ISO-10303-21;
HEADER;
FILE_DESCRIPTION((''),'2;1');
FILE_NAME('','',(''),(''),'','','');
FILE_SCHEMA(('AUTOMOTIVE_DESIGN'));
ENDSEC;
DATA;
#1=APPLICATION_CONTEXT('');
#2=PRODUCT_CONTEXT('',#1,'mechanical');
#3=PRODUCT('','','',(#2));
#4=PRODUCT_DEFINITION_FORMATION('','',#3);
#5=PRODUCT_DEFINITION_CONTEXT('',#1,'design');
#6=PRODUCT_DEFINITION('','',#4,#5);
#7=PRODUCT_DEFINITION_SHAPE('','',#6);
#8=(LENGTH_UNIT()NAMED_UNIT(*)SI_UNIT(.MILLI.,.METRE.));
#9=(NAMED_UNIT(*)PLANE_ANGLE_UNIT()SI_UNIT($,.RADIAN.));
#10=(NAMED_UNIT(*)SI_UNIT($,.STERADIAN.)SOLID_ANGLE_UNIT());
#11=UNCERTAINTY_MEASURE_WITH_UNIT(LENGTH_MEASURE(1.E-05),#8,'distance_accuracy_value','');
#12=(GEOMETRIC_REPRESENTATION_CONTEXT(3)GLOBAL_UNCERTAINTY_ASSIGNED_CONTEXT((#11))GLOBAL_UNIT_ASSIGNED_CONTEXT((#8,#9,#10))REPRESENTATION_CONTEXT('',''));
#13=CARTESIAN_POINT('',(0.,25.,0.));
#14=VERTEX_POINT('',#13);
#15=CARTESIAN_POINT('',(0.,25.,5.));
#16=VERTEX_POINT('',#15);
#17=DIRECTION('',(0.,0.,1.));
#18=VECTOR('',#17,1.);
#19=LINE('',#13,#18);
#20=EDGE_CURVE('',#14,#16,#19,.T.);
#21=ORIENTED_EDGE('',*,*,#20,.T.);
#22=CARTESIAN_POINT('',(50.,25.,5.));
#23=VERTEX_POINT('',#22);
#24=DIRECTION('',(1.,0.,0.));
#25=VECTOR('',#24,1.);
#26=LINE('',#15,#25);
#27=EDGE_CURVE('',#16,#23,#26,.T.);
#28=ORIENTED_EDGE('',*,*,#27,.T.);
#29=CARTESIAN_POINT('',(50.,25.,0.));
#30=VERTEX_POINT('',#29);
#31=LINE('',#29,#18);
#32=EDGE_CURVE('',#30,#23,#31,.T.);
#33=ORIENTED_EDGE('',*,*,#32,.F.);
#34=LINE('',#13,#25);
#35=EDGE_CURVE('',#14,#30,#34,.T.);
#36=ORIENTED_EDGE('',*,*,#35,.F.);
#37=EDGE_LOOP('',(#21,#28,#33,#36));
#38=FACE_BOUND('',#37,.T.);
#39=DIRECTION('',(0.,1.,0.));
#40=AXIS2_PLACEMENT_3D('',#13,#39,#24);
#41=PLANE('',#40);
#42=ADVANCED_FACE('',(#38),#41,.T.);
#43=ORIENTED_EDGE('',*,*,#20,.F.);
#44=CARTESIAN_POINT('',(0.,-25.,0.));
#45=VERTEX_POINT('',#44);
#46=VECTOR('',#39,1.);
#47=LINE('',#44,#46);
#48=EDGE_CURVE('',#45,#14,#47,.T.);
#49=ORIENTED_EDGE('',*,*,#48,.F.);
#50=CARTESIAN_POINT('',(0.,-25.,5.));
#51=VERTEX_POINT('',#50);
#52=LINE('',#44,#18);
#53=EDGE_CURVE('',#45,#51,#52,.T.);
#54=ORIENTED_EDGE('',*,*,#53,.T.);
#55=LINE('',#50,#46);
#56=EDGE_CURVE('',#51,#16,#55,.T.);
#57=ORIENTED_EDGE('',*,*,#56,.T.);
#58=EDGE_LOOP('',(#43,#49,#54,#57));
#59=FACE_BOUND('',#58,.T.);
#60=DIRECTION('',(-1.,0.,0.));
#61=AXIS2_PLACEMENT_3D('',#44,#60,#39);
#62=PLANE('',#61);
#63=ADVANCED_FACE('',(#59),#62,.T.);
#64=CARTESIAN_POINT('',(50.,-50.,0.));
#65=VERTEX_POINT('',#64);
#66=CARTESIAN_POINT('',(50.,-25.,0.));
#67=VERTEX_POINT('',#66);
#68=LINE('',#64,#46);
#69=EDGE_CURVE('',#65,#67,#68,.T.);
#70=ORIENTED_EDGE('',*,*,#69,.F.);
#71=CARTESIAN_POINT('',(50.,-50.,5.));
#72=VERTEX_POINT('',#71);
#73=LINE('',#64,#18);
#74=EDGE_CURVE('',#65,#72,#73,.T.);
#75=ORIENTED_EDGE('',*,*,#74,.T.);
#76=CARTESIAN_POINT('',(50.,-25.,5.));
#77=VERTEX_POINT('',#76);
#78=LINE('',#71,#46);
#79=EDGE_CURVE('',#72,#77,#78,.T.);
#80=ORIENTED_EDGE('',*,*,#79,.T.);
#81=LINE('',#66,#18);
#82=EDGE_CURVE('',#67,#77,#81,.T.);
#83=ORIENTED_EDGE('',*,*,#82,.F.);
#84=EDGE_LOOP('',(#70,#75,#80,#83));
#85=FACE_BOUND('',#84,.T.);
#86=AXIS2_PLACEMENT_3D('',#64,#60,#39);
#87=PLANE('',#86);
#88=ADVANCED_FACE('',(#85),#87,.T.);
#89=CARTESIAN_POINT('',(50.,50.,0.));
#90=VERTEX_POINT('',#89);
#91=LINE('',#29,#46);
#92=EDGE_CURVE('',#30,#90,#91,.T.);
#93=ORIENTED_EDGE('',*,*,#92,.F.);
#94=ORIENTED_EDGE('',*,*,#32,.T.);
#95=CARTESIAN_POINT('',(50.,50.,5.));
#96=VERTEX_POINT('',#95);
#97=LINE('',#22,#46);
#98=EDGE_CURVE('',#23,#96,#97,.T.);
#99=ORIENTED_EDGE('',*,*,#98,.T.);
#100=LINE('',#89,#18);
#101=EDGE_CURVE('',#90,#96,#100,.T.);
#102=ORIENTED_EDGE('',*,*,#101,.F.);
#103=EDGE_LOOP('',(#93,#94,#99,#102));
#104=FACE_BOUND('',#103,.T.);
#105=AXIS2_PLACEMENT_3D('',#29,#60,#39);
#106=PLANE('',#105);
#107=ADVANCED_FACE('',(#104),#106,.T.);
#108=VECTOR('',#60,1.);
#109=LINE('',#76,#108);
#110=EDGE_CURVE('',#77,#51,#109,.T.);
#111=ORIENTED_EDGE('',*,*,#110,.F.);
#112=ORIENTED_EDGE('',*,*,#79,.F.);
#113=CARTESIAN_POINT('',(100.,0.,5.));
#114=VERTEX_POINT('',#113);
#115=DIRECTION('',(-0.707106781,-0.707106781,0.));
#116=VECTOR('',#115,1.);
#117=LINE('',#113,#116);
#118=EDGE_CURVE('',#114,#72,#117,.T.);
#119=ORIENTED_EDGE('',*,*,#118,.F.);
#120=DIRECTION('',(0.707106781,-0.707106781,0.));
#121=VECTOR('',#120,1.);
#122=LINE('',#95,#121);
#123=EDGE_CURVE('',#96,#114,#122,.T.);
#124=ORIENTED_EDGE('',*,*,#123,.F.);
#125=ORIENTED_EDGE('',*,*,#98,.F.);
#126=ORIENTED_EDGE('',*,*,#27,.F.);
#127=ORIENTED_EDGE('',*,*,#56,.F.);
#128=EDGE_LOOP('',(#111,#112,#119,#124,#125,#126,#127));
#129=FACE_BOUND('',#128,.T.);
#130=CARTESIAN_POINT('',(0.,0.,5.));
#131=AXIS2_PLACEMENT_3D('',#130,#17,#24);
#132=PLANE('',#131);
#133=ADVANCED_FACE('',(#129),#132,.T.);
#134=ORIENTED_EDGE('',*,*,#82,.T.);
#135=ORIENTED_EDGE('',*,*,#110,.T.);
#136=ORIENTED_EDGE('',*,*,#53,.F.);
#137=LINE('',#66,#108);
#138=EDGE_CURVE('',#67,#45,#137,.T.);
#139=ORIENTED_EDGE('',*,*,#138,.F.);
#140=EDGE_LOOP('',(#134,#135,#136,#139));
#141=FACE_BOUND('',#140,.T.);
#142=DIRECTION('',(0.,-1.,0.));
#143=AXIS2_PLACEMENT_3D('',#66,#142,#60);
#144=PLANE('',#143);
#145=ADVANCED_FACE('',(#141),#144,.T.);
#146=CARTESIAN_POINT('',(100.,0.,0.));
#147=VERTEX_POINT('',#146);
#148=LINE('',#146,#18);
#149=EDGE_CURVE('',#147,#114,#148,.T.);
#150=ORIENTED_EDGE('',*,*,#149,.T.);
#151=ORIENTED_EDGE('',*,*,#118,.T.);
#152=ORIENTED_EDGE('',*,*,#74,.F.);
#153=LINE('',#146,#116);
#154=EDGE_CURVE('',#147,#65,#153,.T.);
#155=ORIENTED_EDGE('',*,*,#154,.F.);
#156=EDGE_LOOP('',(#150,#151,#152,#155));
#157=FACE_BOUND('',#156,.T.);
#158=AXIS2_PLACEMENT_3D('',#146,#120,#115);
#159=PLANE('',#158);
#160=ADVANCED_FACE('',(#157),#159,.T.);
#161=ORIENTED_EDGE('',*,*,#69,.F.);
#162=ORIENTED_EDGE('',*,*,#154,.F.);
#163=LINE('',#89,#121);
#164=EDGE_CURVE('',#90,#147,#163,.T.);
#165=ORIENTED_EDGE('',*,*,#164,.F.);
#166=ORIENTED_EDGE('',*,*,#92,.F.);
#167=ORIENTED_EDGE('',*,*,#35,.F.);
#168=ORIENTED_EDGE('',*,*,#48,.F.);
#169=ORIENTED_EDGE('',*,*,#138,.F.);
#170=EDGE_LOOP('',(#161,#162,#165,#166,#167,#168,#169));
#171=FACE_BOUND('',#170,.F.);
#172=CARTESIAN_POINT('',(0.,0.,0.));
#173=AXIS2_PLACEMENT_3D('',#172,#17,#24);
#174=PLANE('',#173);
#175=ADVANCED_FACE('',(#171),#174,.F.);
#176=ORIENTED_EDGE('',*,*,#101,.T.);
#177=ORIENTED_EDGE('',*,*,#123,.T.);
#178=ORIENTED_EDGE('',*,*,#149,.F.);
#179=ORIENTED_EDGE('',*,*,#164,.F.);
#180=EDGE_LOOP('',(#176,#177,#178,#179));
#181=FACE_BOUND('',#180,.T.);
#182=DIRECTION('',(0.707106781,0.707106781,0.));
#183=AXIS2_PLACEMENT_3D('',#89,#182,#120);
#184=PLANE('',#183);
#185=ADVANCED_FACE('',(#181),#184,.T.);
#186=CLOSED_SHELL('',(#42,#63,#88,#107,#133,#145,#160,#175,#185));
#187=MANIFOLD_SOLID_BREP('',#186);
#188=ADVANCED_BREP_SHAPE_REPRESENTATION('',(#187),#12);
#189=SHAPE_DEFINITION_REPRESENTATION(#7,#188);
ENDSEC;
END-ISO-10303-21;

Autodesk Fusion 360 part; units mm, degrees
sketch "スケッチ1" plane through (0, 0, 0) normal (0, 0, 1) x (1, 0, 0)
  line L0 (0, 25) -> (50, 25)
  line L1 (50, -25) -> (0, -25)
  line L2 (0, -25) -> (0, 25)
  line L3 (50, 25) -> (50, 50)
  line L4 (50, 50) -> (100, 0)
  line L5 (100, 0) -> (50, -50)
  line L6 (50, -50) -> (50, -25)
  line L7 (0, 0) -> (100, 0) construction
  dimension "d2" = 100
  dimension "d3" = 50
  dimension "d4" = 50
  dimension "d5" = 100
extrude "押し出し1" add sketch "スケッチ1" along normal blind 5
